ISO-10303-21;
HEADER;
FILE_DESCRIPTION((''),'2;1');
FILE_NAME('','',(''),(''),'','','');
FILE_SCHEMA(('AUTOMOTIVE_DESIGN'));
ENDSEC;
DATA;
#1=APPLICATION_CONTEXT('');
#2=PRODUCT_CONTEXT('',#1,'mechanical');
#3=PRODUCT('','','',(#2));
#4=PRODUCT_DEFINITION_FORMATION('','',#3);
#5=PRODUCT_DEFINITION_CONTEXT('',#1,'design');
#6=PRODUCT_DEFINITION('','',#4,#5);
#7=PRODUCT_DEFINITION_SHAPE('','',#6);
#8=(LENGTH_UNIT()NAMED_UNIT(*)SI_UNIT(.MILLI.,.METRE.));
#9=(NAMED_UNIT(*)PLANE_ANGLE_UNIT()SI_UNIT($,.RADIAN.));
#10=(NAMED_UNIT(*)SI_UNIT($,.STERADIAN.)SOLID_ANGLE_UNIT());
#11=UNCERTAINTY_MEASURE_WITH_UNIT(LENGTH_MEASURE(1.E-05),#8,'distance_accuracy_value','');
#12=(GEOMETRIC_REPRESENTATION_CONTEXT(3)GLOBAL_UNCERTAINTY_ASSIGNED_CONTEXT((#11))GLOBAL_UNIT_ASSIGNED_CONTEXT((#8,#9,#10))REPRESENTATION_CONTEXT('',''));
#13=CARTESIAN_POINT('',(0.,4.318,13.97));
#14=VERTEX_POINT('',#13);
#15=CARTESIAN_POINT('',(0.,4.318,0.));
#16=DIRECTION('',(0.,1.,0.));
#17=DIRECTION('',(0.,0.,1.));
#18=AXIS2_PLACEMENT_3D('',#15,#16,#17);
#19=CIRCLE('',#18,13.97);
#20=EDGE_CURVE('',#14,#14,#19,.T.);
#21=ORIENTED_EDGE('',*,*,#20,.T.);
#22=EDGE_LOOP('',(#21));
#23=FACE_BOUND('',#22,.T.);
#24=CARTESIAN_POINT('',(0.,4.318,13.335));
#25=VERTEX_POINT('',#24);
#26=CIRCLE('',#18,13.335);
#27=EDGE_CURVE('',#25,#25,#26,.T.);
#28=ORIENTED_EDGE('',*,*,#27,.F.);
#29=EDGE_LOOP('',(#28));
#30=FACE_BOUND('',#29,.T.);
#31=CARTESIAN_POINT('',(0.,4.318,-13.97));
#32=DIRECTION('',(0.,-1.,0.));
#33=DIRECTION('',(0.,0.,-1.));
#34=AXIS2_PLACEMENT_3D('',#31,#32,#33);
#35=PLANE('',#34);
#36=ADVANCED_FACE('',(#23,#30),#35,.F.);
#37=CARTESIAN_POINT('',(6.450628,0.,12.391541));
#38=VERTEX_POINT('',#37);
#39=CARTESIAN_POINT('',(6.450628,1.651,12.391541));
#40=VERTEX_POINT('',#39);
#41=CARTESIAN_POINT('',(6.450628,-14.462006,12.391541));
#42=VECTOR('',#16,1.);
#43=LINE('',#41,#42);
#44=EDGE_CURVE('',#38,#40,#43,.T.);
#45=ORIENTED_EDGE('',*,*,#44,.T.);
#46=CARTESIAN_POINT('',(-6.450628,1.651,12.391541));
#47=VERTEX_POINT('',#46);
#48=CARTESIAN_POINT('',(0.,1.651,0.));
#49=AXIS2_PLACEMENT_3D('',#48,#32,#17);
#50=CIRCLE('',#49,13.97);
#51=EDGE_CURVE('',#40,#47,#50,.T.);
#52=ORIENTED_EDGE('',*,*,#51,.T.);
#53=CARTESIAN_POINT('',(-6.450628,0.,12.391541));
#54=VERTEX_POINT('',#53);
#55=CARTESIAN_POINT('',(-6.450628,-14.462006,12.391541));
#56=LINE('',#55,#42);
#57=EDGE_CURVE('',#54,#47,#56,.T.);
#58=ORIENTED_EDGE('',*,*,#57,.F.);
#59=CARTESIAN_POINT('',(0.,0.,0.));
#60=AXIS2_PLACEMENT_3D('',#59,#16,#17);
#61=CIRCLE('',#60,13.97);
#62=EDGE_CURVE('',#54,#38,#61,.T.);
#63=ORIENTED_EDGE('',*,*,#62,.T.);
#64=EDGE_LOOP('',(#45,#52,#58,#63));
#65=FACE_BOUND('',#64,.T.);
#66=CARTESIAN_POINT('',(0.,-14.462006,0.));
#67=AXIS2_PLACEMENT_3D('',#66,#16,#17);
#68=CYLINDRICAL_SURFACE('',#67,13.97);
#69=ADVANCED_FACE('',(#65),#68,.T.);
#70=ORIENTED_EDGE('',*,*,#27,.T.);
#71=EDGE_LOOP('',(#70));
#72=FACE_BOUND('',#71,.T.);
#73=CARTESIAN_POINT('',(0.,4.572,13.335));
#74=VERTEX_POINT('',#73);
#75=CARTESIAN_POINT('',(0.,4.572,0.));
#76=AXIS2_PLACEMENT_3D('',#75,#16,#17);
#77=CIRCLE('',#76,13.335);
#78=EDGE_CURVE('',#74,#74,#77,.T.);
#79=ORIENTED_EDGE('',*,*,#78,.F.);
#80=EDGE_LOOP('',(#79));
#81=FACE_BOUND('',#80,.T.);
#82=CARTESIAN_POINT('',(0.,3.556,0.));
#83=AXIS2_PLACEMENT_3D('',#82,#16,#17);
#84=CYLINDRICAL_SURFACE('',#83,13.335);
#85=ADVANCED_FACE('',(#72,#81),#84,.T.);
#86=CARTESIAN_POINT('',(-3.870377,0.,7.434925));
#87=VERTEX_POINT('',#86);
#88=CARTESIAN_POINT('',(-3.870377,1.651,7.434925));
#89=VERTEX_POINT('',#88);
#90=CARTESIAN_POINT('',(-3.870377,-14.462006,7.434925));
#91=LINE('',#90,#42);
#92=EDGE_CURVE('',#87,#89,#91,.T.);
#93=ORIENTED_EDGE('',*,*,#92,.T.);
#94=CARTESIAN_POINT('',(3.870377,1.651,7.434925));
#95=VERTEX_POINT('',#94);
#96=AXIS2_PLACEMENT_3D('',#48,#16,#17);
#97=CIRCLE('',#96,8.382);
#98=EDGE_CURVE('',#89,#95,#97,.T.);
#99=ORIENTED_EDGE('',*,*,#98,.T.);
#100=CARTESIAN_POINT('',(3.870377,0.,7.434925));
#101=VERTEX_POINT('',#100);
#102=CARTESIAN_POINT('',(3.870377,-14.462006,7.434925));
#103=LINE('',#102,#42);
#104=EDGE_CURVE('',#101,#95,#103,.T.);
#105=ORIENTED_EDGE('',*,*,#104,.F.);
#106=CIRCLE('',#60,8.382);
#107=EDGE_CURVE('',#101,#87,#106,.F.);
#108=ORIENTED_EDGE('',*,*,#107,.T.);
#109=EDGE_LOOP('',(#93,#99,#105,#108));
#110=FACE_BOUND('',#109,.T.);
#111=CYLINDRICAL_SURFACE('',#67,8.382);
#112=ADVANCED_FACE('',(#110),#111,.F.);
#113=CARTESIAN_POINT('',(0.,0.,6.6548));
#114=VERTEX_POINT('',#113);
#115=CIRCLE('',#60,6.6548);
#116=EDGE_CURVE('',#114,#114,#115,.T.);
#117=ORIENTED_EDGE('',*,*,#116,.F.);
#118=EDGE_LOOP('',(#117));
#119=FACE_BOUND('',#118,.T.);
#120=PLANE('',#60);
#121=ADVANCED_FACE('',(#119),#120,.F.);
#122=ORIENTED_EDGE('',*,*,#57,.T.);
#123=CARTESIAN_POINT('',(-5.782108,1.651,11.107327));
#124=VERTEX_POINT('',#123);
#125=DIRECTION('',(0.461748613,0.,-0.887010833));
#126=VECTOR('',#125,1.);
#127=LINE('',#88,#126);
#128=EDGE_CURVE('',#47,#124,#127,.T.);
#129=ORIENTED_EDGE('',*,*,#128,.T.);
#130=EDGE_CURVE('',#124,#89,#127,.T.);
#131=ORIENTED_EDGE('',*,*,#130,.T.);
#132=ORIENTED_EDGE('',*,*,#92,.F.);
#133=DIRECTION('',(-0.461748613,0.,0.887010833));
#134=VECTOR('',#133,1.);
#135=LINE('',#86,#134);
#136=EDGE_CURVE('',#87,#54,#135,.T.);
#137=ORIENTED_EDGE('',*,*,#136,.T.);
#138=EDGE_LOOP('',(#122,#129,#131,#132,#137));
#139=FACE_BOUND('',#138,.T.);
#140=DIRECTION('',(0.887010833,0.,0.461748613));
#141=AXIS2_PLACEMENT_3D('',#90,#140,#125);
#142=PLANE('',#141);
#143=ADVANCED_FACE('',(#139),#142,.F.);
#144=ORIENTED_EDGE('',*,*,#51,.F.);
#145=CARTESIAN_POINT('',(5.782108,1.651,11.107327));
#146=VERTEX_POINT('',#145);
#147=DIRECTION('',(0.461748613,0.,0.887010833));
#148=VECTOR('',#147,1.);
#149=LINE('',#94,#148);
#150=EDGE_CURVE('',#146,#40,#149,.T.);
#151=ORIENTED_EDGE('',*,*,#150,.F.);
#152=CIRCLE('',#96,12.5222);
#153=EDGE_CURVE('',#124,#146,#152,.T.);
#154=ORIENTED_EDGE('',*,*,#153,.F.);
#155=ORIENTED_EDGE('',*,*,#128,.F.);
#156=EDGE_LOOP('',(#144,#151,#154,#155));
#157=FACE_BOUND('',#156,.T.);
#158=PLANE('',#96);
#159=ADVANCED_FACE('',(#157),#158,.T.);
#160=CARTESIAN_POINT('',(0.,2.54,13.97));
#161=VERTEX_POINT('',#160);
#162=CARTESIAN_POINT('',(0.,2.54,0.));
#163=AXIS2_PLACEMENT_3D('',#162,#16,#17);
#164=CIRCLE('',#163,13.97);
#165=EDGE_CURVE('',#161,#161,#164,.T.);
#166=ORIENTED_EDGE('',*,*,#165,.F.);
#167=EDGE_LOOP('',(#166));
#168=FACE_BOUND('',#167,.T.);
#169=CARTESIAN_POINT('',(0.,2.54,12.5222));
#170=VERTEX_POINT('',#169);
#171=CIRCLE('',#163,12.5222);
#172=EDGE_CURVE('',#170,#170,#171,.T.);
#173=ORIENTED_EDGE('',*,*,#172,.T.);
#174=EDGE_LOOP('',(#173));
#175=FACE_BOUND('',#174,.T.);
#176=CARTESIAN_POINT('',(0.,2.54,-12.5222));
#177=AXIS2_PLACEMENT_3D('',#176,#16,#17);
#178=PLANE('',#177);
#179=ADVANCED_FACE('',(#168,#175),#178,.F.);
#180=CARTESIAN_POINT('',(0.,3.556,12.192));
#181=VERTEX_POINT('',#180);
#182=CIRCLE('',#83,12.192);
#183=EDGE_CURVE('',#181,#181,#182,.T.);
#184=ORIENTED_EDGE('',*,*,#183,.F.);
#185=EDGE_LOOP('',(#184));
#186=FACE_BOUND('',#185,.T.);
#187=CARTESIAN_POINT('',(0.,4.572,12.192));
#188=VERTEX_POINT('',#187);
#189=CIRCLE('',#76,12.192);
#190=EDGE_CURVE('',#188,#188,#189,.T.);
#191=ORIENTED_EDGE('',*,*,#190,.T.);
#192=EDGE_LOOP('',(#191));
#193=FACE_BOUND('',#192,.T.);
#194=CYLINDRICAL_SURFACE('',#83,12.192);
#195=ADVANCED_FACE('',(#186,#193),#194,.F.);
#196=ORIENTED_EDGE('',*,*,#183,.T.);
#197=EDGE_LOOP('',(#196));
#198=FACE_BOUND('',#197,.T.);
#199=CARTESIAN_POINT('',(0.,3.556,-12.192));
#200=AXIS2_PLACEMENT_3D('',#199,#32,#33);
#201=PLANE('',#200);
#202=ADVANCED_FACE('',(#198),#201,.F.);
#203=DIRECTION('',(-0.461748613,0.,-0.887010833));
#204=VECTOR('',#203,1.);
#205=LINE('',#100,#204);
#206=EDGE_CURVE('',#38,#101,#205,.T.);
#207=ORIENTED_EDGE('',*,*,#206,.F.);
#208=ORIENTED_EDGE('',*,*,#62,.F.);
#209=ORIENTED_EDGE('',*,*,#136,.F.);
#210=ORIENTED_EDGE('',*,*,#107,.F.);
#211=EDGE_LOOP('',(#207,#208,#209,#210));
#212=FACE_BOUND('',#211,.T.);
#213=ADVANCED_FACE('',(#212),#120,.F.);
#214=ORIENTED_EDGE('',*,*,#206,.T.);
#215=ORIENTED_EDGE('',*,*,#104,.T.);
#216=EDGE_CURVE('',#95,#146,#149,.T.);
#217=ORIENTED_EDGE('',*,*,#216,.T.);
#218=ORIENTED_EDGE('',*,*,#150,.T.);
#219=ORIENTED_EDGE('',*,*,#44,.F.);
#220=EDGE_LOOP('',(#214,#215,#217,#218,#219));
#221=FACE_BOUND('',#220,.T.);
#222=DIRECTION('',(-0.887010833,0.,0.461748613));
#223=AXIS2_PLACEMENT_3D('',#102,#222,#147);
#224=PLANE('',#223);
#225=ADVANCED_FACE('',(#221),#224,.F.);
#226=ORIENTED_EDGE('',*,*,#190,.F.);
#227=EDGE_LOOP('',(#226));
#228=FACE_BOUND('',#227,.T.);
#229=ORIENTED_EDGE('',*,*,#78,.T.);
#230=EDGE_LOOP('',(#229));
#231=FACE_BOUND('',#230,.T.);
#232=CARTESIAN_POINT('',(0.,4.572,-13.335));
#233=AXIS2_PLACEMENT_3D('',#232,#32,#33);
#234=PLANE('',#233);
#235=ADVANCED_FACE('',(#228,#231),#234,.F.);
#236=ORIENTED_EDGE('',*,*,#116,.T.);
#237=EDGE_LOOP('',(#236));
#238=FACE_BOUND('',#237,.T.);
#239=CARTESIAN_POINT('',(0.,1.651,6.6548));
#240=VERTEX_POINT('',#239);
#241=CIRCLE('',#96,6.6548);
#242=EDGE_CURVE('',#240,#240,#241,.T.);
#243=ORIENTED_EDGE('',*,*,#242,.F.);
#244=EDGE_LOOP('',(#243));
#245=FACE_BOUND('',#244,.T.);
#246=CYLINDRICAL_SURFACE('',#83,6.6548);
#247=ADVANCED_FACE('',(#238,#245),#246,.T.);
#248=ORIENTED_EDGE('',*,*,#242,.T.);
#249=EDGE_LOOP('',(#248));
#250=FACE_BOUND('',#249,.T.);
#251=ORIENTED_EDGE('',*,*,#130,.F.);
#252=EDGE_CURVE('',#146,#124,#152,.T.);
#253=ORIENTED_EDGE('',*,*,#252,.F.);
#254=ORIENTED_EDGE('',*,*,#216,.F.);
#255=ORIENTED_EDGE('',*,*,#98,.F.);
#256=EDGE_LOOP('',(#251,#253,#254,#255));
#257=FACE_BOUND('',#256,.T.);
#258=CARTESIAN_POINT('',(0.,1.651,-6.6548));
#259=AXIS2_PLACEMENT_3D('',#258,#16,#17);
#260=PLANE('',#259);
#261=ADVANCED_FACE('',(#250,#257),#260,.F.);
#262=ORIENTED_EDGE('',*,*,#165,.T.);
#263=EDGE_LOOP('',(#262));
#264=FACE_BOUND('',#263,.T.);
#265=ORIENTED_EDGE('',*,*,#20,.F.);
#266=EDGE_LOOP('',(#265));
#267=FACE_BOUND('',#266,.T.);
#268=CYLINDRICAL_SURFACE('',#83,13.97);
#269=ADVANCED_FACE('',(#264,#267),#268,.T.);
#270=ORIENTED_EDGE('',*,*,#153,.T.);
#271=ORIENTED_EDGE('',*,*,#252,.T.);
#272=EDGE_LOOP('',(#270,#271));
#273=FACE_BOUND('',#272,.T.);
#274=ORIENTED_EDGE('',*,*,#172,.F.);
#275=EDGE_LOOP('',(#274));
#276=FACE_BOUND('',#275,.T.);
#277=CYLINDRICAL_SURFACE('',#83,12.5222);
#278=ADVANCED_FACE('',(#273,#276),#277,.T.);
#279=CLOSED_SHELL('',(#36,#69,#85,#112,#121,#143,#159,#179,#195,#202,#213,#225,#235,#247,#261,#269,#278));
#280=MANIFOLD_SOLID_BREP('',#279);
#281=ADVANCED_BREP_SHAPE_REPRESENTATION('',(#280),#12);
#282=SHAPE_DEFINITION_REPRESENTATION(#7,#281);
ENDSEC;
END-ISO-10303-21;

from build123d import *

# Parameters (mm, degrees)
BOSS_EXTRUDE1_DEPTH = 1.651


with BuildPart() as part:
    # Sketch1 → Revolve1 (revolve)
    with BuildSketch(Plane(origin=(0, 0, 0), x_dir=(0, 0, -1), z_dir=(1, 0, 0))):
        Polygon((0, 0), (6.6548, 0), (6.6548, 1.651), (12.5222, 1.651), (12.5222, 2.54), (13.97, 2.54), (13.97, 4.318), (13.335, 4.318), (13.335, 4.572), (12.192, 4.572), (12.192, 3.556), (0, 3.556), align=None)
    revolve(axis=Axis((0, 3.556, 0), (0, -1, 0)))

    # Sketch2 → Boss-Extrude1 (add)
    with BuildSketch(Plane.XZ.offset(-1.651)):
        with BuildLine():
            Line((-3.870376876, 7.434924804), (-6.450628127, 12.391541339))
            ThreePointArc((-6.450628127, 12.391541339), (0, 13.97), (6.450628127, 12.391541339))
            Line((6.450628127, 12.391541339), (3.870376876, 7.434924804))
            ThreePointArc((3.870376876, 7.434924804), (0, 8.382), (-3.870376876, 7.434924804))
        make_face()
    extrude(amount=BOSS_EXTRUDE1_DEPTH)


solid = part.part
